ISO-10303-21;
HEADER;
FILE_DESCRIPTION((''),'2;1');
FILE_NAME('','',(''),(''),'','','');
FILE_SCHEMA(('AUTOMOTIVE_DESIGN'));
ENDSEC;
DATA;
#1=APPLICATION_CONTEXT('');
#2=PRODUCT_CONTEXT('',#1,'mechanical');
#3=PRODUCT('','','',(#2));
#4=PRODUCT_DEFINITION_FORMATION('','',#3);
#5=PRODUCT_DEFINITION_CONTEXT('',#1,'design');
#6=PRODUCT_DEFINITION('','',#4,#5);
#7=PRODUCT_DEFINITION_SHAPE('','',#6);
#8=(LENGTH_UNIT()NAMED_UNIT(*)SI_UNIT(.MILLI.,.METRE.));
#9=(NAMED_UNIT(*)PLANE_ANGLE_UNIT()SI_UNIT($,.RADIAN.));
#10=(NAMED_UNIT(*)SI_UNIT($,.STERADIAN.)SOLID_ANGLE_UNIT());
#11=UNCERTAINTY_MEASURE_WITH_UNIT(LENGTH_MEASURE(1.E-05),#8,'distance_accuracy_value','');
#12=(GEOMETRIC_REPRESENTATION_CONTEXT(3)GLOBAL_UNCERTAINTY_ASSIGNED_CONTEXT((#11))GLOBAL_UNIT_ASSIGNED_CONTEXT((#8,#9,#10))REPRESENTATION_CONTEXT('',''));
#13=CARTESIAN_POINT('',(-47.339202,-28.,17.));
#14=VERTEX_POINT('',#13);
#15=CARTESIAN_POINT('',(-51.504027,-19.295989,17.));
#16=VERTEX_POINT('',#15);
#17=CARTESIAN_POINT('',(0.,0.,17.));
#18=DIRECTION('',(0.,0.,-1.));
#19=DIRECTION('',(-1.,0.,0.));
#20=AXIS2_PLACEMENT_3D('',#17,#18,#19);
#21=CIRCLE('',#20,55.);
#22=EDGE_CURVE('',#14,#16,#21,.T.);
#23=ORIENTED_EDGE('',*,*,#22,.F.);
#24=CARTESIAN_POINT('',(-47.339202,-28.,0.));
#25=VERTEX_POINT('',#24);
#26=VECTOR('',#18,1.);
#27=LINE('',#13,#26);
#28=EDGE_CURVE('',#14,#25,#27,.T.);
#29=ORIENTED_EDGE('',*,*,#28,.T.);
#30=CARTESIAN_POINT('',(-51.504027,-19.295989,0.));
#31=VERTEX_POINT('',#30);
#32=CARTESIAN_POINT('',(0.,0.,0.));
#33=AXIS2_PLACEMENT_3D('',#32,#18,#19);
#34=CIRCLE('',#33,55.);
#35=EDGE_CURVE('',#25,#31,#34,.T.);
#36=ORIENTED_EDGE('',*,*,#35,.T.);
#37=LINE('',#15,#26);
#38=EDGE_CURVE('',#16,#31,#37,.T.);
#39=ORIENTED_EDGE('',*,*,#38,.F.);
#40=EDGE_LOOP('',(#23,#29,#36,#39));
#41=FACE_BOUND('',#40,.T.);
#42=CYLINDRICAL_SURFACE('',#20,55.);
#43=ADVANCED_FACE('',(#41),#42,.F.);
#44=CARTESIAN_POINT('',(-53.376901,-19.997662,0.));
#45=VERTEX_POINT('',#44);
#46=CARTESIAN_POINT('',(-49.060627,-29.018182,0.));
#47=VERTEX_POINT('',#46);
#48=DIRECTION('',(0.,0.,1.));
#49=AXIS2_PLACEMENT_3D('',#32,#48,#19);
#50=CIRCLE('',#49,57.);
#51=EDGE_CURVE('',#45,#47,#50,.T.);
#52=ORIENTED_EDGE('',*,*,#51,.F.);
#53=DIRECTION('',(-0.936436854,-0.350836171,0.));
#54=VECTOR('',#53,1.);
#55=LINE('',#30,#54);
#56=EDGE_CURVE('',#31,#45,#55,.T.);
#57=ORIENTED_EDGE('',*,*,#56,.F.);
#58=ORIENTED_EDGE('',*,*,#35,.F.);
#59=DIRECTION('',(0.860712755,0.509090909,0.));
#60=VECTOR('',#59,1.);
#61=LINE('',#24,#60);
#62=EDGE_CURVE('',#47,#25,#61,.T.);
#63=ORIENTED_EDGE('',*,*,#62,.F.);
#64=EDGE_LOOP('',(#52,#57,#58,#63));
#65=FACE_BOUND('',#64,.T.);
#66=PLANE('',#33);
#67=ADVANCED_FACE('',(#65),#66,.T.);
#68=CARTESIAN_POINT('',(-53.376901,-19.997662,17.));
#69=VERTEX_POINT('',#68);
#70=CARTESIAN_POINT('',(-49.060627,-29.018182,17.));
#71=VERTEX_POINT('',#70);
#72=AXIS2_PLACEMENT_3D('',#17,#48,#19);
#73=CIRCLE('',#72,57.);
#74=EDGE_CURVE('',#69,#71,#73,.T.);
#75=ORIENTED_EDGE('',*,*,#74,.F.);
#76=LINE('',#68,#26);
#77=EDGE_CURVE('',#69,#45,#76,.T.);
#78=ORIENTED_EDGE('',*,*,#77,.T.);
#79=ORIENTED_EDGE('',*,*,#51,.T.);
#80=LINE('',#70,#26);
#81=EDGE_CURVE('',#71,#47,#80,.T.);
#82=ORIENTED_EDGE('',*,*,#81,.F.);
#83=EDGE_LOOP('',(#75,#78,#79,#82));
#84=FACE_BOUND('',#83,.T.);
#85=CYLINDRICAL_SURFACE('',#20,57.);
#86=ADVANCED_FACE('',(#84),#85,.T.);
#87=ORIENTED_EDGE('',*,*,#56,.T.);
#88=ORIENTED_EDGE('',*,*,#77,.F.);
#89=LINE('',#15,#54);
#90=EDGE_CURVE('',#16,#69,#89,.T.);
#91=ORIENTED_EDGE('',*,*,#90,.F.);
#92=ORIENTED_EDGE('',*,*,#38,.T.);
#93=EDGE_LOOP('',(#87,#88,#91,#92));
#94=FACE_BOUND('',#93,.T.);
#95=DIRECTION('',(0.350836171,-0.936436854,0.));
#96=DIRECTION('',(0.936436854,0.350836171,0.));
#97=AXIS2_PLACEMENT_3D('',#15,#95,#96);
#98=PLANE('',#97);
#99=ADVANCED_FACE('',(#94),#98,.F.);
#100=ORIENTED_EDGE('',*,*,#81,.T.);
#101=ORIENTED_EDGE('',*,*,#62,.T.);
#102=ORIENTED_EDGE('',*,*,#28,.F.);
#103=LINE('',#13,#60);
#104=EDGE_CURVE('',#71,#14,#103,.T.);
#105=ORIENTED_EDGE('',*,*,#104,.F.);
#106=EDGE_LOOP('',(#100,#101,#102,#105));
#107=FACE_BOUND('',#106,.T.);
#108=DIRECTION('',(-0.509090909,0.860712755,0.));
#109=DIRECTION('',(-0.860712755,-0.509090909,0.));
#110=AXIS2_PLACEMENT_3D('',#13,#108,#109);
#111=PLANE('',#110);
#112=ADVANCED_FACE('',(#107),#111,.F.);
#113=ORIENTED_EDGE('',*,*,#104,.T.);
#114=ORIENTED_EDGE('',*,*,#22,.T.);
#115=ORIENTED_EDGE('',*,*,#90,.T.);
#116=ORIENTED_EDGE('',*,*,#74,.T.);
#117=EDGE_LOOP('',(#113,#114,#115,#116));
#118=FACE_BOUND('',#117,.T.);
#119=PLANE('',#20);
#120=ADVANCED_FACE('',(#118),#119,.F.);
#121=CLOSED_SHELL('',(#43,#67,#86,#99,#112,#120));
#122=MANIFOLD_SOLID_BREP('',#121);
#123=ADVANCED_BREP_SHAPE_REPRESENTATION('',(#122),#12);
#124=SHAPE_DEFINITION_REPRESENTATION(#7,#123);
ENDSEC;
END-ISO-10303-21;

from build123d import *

# Parameters (mm, degrees)
BOSS_EXTRU_1_DEPTH = 17


with BuildPart() as part:
    # Esquisse1 → Boss.-Extru.1 (new body)
    with BuildSketch(Plane.XY):
        with BuildLine():
            Line((-51.504026949, -19.295989428), (-53.376900657, -19.997661771))
            ThreePointArc((-53.376900657, -19.997661771), (-51.416964271, -24.602759707), (-49.060627024, -29.018181818))
            Line((-49.060627024, -29.018181818), (-47.339201514, -28))
            ThreePointArc((-47.339201514, -28), (-49.612860261, -23.73950498), (-51.504026949, -19.295989428))
        make_face()
    extrude(amount=BOSS_EXTRU_1_DEPTH)


solid = part.part
